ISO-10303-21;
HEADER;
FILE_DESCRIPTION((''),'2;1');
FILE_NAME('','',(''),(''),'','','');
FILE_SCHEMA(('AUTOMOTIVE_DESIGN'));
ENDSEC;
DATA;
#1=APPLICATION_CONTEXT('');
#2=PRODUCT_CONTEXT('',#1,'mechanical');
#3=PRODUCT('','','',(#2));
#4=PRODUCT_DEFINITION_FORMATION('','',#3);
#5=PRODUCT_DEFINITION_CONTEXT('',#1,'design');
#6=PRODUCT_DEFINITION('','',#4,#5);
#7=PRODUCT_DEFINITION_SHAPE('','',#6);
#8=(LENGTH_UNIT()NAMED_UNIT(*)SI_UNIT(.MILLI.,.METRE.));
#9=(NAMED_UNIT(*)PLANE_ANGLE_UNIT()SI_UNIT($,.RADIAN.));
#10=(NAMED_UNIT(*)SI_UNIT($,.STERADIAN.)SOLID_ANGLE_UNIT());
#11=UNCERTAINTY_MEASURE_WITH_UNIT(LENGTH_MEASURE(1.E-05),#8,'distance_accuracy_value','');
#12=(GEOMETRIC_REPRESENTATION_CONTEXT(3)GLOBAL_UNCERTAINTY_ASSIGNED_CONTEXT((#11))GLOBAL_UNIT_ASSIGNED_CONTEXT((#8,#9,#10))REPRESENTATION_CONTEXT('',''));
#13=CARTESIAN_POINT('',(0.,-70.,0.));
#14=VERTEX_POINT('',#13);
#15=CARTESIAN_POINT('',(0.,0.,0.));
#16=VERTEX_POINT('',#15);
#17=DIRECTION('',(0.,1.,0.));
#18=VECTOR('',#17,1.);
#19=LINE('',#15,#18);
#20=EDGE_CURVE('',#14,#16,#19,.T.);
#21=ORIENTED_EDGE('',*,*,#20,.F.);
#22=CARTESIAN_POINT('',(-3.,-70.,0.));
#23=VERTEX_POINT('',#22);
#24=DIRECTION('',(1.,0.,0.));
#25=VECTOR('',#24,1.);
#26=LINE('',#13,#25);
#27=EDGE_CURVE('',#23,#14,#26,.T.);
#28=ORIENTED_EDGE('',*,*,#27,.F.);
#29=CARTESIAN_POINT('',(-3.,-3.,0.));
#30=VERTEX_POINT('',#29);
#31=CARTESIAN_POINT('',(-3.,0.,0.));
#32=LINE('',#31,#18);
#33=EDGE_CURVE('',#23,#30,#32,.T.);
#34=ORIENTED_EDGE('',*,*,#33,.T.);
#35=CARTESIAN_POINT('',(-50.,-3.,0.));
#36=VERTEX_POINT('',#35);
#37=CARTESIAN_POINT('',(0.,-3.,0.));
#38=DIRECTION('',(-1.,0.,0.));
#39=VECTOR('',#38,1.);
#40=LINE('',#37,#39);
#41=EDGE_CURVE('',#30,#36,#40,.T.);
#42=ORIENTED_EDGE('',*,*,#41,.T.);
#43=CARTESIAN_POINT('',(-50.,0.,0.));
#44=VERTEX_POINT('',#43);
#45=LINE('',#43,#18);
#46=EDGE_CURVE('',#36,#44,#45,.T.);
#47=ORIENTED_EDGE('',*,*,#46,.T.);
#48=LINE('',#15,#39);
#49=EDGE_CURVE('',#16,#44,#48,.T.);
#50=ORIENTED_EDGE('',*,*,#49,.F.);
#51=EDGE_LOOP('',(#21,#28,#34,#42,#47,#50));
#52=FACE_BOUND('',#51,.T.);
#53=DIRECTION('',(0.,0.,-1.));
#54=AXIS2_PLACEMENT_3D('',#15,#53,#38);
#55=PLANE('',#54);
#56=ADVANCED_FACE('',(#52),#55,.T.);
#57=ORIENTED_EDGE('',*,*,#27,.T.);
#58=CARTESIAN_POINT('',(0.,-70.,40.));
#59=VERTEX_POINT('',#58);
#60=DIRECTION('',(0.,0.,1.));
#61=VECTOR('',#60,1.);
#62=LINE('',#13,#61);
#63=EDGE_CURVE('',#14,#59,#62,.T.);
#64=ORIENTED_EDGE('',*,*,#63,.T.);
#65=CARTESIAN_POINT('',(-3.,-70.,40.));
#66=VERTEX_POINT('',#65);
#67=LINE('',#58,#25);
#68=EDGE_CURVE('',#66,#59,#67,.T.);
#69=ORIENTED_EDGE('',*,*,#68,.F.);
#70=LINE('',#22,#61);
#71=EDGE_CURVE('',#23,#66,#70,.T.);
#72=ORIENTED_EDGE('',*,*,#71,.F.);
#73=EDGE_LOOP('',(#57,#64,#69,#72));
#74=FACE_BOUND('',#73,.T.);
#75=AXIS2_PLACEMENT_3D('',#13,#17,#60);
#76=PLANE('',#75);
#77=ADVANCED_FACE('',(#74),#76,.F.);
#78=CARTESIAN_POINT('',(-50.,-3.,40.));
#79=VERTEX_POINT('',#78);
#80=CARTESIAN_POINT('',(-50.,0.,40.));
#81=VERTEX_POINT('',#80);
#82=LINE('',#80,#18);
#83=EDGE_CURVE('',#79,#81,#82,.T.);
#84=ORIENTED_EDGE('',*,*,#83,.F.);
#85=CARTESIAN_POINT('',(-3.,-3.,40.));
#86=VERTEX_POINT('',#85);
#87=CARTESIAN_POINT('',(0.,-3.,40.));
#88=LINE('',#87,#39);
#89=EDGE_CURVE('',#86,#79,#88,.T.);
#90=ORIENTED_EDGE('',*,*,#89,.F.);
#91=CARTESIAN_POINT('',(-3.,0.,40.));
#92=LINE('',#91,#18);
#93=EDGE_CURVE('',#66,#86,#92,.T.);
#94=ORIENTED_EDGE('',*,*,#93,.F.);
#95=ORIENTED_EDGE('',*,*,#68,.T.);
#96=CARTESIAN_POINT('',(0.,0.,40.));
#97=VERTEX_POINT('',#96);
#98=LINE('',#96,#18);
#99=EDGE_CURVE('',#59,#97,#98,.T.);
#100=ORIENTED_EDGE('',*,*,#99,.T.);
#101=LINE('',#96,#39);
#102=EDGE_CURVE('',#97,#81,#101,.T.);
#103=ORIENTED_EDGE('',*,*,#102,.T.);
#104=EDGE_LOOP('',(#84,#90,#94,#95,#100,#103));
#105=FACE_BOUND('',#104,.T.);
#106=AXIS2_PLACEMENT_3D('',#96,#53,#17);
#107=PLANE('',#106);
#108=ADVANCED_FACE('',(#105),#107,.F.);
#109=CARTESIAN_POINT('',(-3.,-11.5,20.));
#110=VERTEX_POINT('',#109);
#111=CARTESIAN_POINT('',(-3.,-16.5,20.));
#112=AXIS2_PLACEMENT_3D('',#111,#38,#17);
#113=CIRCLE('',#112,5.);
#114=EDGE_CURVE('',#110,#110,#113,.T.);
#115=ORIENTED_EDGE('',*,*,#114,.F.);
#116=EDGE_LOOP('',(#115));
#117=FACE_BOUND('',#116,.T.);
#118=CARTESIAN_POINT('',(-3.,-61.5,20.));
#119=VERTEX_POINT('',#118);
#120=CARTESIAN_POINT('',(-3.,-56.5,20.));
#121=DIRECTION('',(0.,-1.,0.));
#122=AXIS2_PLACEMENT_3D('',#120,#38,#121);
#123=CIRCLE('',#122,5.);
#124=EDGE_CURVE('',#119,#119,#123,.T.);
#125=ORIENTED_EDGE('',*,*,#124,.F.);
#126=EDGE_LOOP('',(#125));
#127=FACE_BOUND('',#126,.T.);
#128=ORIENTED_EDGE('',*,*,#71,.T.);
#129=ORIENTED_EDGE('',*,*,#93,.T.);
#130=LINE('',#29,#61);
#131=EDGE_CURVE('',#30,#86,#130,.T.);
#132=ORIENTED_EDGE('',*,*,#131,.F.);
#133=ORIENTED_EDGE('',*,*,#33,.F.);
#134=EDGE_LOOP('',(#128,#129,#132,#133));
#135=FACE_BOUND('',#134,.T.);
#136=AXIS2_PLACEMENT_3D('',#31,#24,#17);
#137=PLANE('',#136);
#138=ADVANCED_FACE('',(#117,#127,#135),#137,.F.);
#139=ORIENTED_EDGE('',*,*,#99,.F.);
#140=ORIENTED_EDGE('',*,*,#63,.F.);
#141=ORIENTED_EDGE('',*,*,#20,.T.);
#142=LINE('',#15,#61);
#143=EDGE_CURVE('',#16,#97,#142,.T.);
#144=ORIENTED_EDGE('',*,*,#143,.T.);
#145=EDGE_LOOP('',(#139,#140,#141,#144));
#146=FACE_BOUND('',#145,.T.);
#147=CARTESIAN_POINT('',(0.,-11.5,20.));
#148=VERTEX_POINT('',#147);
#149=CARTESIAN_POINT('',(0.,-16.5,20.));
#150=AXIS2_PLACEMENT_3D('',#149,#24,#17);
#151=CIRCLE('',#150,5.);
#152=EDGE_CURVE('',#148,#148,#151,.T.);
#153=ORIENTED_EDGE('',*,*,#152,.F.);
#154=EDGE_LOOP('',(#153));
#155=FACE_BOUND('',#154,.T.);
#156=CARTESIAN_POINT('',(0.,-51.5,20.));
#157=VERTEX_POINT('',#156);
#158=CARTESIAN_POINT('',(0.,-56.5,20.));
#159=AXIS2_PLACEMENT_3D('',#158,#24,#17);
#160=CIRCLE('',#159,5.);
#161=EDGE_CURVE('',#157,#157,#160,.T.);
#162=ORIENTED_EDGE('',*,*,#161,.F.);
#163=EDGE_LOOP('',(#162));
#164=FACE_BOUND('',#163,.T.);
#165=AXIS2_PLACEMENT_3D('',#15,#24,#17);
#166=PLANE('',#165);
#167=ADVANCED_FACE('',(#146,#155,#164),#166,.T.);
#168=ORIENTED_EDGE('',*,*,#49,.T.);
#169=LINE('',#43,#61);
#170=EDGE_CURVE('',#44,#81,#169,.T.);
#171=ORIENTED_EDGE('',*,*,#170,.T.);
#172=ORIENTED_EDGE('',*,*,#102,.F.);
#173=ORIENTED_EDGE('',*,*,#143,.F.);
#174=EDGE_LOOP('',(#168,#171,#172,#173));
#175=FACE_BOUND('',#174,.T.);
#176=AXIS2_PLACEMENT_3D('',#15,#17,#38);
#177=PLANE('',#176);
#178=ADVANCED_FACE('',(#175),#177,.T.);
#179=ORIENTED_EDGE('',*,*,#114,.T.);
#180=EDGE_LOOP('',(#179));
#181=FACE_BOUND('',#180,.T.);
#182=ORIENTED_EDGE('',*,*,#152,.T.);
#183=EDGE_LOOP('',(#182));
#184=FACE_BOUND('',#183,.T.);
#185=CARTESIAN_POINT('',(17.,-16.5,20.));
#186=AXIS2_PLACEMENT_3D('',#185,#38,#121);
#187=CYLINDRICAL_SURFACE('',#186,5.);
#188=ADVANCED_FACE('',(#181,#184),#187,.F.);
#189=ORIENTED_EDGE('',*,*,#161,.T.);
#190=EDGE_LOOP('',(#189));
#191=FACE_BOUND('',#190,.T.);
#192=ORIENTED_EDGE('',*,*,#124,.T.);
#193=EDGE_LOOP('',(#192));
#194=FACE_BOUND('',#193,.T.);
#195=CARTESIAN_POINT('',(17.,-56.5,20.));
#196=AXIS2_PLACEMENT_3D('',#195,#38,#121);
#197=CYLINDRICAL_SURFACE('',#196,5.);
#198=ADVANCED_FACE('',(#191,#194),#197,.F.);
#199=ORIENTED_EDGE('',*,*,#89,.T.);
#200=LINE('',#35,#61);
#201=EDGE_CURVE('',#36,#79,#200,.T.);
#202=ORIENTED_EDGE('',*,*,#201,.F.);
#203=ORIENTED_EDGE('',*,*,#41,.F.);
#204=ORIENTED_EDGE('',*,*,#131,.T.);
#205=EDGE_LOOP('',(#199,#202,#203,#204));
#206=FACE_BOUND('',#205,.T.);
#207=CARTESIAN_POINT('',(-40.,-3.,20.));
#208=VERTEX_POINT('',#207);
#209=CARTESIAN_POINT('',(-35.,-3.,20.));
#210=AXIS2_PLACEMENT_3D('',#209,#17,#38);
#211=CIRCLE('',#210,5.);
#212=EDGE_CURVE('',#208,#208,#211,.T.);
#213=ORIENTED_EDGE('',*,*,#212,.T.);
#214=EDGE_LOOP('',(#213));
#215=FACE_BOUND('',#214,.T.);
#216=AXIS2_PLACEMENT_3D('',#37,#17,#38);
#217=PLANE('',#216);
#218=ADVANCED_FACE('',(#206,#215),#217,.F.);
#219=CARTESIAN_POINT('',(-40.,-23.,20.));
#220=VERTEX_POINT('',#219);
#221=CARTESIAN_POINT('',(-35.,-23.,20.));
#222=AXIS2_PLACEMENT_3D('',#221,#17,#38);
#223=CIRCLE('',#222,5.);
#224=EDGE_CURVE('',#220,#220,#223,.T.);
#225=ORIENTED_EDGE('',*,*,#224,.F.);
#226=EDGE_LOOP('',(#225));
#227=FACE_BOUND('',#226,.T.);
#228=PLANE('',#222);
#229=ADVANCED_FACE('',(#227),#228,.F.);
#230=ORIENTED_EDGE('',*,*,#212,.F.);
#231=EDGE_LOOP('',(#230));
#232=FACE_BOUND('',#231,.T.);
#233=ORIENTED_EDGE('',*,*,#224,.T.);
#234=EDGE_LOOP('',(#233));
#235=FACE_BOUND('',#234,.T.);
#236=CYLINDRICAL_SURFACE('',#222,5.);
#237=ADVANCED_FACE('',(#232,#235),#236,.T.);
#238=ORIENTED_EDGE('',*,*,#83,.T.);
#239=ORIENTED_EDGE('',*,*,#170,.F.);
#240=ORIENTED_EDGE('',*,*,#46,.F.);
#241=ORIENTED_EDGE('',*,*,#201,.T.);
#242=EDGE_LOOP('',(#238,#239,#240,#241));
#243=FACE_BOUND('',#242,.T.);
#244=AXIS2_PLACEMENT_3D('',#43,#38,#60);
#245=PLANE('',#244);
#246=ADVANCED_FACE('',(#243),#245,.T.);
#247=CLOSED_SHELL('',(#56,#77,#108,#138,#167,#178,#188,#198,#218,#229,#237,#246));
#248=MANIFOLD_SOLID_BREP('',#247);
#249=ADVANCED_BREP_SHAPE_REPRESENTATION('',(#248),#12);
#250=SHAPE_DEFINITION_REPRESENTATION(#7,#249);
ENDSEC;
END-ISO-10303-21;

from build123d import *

# Parameters (mm, degrees)
SUPERFICIE_EXTRUIR1_1_DEPTH = 40
DAR_ESPESOR1_T1             = 3
CROQUIS2_R                  = 5
EXTRUIR1_DEPTH              = 23
CROQUIS3_R                  = 5
EXTRUIR2_DEPTH              = 20


with BuildPart() as body_1:
    # Superficie-Extruir1: a surface, the sketch's curves swept straight by 40 mm
    with BuildLine(Plane.XY, mode=Mode.PRIVATE) as superficie_extruir1_1_path:
        Line((0, -70), (0, 0))
        Line((0, 0), (-50, 0))
    superficie_extruir1_1 = Shell.extrude(superficie_extruir1_1_path.wire(), (0 * SUPERFICIE_EXTRUIR1_1_DEPTH, 0 * SUPERFICIE_EXTRUIR1_1_DEPTH, 1 * SUPERFICIE_EXTRUIR1_1_DEPTH))
    add(Solid.thicken(superficie_extruir1_1, DAR_ESPESOR1_T1))

    # Croquis2 → Extruir1 (add)
    with BuildSketch(Plane(origin=(0, 0, 0), x_dir=(1, 0, 0), z_dir=(0, 1, 0))):
        with Locations(Location((-35, -20, 0), (0, 0, 180))):
            Circle(CROQUIS2_R)
    extrude(amount=-EXTRUIR1_DEPTH)

    # Croquis3 → Extruir2 (cut)
    with BuildSketch(Plane.ZY.offset(3)):
        with Locations(Location((20, -56.5, 0), (0, 0, 270))):
            Circle(CROQUIS3_R)
        with Locations(Location((20, -16.5, 0), (0, 0, 90))):
            Circle(CROQUIS3_R)
    extrude(amount=-EXTRUIR2_DEPTH, mode=Mode.SUBTRACT)


solid = body_1.part
